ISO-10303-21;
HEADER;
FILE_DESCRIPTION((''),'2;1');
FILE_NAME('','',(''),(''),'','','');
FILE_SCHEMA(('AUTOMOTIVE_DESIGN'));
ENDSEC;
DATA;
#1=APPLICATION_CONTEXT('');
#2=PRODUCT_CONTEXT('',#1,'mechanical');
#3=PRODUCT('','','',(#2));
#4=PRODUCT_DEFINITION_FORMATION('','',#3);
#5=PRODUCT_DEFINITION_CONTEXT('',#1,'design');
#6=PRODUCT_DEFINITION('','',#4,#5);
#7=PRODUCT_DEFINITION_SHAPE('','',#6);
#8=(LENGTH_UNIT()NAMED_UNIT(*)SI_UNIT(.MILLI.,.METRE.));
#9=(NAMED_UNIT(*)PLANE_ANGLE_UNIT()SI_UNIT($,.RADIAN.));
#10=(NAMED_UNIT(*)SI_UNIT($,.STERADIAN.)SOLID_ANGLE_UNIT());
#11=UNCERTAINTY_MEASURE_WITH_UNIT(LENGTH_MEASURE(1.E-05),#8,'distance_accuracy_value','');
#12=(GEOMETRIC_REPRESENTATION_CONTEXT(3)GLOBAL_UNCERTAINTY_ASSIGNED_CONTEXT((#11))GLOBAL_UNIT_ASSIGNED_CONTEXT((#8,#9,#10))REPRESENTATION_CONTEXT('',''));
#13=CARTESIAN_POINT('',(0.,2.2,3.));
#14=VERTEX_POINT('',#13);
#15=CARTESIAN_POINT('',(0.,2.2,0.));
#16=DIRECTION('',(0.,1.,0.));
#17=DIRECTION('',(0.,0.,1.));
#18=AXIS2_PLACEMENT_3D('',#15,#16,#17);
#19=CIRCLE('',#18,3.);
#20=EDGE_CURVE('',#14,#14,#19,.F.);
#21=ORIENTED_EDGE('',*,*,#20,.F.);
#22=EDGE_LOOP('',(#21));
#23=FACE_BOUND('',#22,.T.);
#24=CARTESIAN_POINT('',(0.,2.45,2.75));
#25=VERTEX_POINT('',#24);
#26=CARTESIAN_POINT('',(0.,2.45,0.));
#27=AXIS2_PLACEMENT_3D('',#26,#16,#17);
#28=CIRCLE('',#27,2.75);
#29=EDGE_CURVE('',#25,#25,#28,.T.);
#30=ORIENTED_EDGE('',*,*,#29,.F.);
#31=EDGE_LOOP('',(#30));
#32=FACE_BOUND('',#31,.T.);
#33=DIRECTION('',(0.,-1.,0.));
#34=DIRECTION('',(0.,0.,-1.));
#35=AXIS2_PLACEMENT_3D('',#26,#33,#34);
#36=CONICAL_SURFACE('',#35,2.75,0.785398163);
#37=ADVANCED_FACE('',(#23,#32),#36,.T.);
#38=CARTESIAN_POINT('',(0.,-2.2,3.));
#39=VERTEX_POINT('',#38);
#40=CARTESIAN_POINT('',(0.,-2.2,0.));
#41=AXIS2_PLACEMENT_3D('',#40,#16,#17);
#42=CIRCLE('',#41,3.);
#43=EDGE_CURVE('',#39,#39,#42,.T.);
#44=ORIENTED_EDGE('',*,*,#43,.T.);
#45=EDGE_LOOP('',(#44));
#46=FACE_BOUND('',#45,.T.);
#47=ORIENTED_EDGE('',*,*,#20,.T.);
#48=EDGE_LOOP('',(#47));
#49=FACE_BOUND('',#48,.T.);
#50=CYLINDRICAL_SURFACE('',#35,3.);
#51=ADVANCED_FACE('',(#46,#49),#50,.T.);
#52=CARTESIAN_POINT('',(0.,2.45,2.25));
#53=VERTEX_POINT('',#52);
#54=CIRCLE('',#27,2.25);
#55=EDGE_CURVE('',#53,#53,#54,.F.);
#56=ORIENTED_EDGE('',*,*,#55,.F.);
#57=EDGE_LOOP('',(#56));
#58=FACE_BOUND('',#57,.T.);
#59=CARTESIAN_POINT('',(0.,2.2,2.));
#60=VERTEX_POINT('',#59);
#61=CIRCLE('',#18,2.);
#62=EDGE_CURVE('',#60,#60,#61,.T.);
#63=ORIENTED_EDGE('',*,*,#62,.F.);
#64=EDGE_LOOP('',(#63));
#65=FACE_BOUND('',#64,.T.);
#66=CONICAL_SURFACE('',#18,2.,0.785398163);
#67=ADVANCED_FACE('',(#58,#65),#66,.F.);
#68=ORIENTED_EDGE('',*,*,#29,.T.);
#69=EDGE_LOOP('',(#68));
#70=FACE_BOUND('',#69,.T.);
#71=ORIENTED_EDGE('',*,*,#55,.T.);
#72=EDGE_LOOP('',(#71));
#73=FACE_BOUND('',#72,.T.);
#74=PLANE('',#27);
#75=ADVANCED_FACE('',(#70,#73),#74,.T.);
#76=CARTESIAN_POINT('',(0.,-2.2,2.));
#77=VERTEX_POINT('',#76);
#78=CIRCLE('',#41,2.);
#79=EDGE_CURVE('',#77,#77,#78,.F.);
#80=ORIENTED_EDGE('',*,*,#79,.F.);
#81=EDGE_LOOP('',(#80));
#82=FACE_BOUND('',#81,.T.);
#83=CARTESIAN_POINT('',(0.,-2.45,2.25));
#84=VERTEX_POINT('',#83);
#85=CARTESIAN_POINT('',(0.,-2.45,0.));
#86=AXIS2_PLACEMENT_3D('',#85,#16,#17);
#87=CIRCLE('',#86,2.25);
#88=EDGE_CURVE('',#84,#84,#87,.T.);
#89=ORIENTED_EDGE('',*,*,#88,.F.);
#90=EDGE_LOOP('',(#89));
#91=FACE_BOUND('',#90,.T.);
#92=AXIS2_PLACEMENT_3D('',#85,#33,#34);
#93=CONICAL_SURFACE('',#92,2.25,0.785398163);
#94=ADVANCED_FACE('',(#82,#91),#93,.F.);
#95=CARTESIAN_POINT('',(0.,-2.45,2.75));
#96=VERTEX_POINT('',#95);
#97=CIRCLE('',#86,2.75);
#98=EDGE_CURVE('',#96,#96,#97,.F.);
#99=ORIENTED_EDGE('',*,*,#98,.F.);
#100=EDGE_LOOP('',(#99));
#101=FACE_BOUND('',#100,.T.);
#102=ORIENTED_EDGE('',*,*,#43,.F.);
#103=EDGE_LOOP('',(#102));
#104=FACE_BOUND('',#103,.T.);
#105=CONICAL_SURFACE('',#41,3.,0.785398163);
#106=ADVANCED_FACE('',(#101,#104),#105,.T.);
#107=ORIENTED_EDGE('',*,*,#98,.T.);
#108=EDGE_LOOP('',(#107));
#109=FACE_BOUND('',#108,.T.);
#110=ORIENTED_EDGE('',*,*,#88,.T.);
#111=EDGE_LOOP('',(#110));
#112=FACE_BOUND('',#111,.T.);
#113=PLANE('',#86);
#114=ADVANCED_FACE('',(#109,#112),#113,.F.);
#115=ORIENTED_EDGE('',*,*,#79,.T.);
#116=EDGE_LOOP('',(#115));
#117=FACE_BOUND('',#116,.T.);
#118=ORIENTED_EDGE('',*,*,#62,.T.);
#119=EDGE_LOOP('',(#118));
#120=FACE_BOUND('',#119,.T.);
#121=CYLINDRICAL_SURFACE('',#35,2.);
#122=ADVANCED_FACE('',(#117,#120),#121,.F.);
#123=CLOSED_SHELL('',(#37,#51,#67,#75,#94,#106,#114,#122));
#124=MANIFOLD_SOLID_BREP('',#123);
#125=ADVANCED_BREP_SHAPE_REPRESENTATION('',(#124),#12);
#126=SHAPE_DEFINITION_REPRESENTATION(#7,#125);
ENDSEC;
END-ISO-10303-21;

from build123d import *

# Parameters (mm, degrees)
SKETCH_1_R      = 3
SKETCH_1_R_2    = 2
EXTRUDE_1_DEPTH = 2.45
CHAMFER_1_SIZE  = 0.25


with BuildPart() as part:
    # ｽｹｯﾁ1 → ﾎﾞｽ - 押し出し1 (new, symmetric)
    with BuildSketch(Plane(origin=(0, 0, 0), x_dir=(1, 0, 0), z_dir=(0, 1, 0))):
        with Locations(Location((0, 0, 0), (0, 0, 270))):
            Circle(SKETCH_1_R)
        with Locations(Location((0, 0, 0), (0, 0, 270))):
            Circle(SKETCH_1_R_2, mode=Mode.SUBTRACT)
    extrude(amount=EXTRUDE_1_DEPTH, both=True)

    # 面取り1
    chamfer_1_edges = [part.edges().sort_by_distance(p)[0] for p in [
        (0, -2.45, -3),
        (0, 2.45, -3),
        (0, -2.45, -2),
        (0, 2.45, -2),
    ]]
    chamfer(chamfer_1_edges, length=CHAMFER_1_SIZE)


solid = part.part
